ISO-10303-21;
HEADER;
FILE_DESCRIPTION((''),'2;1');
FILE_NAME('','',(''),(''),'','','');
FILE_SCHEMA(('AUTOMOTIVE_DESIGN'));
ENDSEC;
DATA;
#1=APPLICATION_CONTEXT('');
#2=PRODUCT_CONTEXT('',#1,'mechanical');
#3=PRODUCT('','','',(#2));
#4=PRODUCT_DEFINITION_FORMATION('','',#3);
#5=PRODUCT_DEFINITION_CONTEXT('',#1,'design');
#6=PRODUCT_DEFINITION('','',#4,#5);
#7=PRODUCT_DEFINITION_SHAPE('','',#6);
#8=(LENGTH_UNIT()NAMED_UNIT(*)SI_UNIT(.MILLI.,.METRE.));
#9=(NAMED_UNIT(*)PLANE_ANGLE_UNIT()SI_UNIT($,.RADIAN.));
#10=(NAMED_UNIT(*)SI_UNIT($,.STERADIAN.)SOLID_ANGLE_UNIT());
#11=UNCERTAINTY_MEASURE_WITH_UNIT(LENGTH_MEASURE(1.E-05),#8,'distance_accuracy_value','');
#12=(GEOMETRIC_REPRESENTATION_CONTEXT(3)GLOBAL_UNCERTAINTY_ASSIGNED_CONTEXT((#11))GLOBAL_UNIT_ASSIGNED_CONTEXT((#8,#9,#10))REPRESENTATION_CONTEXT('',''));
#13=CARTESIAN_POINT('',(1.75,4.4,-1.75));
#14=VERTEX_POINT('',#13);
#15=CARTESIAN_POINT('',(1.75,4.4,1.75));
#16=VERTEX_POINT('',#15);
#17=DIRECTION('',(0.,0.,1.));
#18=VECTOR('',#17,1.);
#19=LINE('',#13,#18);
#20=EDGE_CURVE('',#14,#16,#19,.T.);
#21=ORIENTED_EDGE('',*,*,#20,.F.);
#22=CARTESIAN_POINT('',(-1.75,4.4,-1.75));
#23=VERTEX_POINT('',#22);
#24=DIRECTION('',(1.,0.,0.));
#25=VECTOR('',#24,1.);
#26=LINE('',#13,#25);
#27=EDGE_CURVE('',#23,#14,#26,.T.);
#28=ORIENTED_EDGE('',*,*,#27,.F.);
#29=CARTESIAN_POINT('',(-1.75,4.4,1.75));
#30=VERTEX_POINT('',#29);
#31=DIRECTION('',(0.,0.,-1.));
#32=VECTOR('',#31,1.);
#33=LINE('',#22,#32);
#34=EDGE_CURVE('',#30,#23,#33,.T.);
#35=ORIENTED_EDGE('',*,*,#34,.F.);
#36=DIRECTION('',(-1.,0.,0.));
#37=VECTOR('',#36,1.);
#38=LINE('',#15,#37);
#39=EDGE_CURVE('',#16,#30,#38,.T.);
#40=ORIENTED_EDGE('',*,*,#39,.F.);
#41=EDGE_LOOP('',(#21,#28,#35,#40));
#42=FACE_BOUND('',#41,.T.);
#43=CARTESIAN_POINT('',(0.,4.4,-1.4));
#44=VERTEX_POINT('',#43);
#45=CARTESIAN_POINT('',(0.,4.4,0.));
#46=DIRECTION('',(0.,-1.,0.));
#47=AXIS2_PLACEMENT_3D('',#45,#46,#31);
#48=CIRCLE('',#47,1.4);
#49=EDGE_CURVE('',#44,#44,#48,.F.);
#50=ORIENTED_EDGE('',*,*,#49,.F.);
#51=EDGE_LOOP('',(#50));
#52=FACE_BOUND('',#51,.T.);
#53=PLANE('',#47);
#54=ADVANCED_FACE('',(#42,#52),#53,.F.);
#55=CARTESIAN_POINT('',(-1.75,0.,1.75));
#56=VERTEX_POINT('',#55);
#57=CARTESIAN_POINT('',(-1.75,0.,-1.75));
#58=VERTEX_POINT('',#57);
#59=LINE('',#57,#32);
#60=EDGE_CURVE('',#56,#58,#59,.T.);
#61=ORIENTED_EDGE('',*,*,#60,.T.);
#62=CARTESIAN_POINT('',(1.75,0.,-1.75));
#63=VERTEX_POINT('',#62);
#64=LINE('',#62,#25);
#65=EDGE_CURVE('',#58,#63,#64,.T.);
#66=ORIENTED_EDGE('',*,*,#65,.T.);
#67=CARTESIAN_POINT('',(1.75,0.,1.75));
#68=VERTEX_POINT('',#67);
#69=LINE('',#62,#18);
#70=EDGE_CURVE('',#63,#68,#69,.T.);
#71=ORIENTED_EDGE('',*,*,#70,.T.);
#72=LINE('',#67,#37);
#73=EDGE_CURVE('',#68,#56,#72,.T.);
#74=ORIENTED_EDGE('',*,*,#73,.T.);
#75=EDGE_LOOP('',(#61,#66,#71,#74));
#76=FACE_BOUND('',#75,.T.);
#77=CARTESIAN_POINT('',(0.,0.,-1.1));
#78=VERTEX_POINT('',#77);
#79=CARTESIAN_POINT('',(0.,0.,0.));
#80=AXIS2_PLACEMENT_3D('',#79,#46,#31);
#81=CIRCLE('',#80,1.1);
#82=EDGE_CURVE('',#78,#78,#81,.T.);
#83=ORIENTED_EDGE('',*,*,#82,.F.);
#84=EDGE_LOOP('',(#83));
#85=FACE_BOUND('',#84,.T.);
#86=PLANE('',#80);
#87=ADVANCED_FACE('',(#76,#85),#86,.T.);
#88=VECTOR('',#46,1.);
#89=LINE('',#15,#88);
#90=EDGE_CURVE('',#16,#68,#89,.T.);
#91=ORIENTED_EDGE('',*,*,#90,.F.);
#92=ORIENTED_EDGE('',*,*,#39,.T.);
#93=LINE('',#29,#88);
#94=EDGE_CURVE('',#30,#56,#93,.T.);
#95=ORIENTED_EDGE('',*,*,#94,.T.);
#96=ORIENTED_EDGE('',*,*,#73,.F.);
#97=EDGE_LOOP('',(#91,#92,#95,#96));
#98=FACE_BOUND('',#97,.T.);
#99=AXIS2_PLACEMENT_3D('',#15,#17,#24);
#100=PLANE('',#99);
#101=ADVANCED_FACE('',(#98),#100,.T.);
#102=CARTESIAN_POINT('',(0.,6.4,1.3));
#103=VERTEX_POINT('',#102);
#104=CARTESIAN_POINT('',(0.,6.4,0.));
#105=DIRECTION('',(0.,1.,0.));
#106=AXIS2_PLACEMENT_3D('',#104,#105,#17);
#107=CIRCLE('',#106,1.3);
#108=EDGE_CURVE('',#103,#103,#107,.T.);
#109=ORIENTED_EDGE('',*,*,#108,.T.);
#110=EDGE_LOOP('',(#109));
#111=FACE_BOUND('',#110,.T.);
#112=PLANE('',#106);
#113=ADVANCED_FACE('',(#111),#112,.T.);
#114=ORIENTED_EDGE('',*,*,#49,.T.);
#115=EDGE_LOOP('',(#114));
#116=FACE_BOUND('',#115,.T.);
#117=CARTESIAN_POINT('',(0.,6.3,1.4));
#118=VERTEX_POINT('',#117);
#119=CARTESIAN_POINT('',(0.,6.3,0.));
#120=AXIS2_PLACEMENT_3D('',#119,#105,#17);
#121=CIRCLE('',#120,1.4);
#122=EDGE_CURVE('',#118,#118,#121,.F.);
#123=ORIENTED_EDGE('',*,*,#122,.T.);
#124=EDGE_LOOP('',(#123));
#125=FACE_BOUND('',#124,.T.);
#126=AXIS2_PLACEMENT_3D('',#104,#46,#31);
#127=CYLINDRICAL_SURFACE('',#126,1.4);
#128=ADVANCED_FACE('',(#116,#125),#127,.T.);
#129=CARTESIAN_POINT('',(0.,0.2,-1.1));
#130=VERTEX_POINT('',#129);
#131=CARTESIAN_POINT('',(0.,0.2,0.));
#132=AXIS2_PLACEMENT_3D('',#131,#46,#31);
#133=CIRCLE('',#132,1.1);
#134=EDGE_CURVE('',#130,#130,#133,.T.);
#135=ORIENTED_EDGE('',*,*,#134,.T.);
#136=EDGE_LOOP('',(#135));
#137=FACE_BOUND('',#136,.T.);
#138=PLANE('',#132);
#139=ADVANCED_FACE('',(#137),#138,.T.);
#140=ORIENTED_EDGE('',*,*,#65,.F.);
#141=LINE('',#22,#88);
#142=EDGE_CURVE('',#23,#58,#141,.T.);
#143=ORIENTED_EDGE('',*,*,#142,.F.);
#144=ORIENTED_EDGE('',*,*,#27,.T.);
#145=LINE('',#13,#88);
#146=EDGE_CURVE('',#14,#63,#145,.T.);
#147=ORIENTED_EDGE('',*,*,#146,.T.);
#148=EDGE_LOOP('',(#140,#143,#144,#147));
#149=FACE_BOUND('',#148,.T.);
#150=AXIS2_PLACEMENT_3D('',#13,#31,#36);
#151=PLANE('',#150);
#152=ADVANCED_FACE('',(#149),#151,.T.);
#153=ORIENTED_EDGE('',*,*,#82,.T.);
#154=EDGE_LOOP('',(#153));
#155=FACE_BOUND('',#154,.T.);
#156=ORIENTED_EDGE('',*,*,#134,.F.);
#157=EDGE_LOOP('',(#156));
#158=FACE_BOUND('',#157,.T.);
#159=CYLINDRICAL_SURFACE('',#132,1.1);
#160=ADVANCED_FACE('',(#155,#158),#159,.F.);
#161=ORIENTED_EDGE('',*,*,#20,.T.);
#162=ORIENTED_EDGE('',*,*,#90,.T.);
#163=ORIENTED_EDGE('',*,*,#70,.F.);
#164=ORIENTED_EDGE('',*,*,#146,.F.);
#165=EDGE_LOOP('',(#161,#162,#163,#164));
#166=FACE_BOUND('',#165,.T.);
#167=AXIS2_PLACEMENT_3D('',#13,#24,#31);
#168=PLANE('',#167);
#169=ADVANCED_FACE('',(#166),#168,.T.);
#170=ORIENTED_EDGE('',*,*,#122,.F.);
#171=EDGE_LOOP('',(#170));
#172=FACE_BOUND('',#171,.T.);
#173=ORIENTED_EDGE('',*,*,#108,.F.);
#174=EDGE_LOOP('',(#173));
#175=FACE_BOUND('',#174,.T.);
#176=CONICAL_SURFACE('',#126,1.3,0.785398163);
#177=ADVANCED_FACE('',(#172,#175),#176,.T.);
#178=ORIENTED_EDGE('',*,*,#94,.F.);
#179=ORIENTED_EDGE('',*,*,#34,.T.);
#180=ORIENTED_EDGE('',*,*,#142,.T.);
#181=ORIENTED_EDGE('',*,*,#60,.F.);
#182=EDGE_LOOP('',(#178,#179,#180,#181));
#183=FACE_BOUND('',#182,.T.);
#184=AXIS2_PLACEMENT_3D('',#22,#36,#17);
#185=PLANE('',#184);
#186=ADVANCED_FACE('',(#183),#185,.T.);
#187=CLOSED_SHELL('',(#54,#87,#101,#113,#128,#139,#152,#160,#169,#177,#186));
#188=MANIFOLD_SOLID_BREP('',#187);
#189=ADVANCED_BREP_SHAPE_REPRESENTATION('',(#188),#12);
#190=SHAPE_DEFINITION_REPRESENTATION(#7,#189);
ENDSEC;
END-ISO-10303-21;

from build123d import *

# Parameters (mm, degrees)
SKETCH_1_W          = 3
SKETCH_1_H          = 3
EXTRUDE_1_DEPTH     = 4.4
SKETCH_2_R          = 1.4
EXTRUDE_2_DEPTH     = 2
SKETCH_3_R          = 1.1
CUT_EXTRUDE_1_DEPTH = 0.2
CHAMFER_1_SIZE      = 0.1
SKETCH_4_W          = 3.5
SKETCH_4_H          = 3.5
SKETCH_4_W_2        = 3
SKETCH_4_H_2        = 3
EXTRUDE_3_DEPTH     = 4.4


with BuildPart() as part:
    # 草图1 → 凸台-拉伸1 (new body)
    with BuildSketch(Plane(origin=(0, 0, 0), x_dir=(1, 0, 0), z_dir=(0, 1, 0))):
        Rectangle(SKETCH_1_W, SKETCH_1_H)
    extrude(amount=EXTRUDE_1_DEPTH)

    # 草图2 → 凸台-拉伸2 (add)
    with BuildSketch(Plane(origin=(0, 4.4, 0), x_dir=(1, 0, 0), z_dir=(0, 1, 0))):
        with Locations(Location((0, 0, 0), (0, 0, 90))):
            Circle(SKETCH_2_R)
    extrude(amount=EXTRUDE_2_DEPTH)

    # 草图3 → 切除-拉伸1 (cut)
    with BuildSketch(Plane.XZ):
        with Locations(Location((0, 0, 0), (0, 0, 270))):
            Circle(SKETCH_3_R)
    extrude(amount=-CUT_EXTRUDE_1_DEPTH, mode=Mode.SUBTRACT)

    # 倒角1
    chamfer_1_edges = [part.edges().sort_by_distance(p)[0] for p in [
        (0, 6.4, 1.4),
    ]]
    chamfer(chamfer_1_edges, length=CHAMFER_1_SIZE)

    # 草图4 → 凸台-拉伸3 (add)
    with BuildSketch(Plane.XZ):
        Rectangle(SKETCH_4_W, SKETCH_4_H)
        Rectangle(SKETCH_4_W_2, SKETCH_4_H_2, mode=Mode.SUBTRACT)
    extrude(amount=-EXTRUDE_3_DEPTH)


solid = part.part
